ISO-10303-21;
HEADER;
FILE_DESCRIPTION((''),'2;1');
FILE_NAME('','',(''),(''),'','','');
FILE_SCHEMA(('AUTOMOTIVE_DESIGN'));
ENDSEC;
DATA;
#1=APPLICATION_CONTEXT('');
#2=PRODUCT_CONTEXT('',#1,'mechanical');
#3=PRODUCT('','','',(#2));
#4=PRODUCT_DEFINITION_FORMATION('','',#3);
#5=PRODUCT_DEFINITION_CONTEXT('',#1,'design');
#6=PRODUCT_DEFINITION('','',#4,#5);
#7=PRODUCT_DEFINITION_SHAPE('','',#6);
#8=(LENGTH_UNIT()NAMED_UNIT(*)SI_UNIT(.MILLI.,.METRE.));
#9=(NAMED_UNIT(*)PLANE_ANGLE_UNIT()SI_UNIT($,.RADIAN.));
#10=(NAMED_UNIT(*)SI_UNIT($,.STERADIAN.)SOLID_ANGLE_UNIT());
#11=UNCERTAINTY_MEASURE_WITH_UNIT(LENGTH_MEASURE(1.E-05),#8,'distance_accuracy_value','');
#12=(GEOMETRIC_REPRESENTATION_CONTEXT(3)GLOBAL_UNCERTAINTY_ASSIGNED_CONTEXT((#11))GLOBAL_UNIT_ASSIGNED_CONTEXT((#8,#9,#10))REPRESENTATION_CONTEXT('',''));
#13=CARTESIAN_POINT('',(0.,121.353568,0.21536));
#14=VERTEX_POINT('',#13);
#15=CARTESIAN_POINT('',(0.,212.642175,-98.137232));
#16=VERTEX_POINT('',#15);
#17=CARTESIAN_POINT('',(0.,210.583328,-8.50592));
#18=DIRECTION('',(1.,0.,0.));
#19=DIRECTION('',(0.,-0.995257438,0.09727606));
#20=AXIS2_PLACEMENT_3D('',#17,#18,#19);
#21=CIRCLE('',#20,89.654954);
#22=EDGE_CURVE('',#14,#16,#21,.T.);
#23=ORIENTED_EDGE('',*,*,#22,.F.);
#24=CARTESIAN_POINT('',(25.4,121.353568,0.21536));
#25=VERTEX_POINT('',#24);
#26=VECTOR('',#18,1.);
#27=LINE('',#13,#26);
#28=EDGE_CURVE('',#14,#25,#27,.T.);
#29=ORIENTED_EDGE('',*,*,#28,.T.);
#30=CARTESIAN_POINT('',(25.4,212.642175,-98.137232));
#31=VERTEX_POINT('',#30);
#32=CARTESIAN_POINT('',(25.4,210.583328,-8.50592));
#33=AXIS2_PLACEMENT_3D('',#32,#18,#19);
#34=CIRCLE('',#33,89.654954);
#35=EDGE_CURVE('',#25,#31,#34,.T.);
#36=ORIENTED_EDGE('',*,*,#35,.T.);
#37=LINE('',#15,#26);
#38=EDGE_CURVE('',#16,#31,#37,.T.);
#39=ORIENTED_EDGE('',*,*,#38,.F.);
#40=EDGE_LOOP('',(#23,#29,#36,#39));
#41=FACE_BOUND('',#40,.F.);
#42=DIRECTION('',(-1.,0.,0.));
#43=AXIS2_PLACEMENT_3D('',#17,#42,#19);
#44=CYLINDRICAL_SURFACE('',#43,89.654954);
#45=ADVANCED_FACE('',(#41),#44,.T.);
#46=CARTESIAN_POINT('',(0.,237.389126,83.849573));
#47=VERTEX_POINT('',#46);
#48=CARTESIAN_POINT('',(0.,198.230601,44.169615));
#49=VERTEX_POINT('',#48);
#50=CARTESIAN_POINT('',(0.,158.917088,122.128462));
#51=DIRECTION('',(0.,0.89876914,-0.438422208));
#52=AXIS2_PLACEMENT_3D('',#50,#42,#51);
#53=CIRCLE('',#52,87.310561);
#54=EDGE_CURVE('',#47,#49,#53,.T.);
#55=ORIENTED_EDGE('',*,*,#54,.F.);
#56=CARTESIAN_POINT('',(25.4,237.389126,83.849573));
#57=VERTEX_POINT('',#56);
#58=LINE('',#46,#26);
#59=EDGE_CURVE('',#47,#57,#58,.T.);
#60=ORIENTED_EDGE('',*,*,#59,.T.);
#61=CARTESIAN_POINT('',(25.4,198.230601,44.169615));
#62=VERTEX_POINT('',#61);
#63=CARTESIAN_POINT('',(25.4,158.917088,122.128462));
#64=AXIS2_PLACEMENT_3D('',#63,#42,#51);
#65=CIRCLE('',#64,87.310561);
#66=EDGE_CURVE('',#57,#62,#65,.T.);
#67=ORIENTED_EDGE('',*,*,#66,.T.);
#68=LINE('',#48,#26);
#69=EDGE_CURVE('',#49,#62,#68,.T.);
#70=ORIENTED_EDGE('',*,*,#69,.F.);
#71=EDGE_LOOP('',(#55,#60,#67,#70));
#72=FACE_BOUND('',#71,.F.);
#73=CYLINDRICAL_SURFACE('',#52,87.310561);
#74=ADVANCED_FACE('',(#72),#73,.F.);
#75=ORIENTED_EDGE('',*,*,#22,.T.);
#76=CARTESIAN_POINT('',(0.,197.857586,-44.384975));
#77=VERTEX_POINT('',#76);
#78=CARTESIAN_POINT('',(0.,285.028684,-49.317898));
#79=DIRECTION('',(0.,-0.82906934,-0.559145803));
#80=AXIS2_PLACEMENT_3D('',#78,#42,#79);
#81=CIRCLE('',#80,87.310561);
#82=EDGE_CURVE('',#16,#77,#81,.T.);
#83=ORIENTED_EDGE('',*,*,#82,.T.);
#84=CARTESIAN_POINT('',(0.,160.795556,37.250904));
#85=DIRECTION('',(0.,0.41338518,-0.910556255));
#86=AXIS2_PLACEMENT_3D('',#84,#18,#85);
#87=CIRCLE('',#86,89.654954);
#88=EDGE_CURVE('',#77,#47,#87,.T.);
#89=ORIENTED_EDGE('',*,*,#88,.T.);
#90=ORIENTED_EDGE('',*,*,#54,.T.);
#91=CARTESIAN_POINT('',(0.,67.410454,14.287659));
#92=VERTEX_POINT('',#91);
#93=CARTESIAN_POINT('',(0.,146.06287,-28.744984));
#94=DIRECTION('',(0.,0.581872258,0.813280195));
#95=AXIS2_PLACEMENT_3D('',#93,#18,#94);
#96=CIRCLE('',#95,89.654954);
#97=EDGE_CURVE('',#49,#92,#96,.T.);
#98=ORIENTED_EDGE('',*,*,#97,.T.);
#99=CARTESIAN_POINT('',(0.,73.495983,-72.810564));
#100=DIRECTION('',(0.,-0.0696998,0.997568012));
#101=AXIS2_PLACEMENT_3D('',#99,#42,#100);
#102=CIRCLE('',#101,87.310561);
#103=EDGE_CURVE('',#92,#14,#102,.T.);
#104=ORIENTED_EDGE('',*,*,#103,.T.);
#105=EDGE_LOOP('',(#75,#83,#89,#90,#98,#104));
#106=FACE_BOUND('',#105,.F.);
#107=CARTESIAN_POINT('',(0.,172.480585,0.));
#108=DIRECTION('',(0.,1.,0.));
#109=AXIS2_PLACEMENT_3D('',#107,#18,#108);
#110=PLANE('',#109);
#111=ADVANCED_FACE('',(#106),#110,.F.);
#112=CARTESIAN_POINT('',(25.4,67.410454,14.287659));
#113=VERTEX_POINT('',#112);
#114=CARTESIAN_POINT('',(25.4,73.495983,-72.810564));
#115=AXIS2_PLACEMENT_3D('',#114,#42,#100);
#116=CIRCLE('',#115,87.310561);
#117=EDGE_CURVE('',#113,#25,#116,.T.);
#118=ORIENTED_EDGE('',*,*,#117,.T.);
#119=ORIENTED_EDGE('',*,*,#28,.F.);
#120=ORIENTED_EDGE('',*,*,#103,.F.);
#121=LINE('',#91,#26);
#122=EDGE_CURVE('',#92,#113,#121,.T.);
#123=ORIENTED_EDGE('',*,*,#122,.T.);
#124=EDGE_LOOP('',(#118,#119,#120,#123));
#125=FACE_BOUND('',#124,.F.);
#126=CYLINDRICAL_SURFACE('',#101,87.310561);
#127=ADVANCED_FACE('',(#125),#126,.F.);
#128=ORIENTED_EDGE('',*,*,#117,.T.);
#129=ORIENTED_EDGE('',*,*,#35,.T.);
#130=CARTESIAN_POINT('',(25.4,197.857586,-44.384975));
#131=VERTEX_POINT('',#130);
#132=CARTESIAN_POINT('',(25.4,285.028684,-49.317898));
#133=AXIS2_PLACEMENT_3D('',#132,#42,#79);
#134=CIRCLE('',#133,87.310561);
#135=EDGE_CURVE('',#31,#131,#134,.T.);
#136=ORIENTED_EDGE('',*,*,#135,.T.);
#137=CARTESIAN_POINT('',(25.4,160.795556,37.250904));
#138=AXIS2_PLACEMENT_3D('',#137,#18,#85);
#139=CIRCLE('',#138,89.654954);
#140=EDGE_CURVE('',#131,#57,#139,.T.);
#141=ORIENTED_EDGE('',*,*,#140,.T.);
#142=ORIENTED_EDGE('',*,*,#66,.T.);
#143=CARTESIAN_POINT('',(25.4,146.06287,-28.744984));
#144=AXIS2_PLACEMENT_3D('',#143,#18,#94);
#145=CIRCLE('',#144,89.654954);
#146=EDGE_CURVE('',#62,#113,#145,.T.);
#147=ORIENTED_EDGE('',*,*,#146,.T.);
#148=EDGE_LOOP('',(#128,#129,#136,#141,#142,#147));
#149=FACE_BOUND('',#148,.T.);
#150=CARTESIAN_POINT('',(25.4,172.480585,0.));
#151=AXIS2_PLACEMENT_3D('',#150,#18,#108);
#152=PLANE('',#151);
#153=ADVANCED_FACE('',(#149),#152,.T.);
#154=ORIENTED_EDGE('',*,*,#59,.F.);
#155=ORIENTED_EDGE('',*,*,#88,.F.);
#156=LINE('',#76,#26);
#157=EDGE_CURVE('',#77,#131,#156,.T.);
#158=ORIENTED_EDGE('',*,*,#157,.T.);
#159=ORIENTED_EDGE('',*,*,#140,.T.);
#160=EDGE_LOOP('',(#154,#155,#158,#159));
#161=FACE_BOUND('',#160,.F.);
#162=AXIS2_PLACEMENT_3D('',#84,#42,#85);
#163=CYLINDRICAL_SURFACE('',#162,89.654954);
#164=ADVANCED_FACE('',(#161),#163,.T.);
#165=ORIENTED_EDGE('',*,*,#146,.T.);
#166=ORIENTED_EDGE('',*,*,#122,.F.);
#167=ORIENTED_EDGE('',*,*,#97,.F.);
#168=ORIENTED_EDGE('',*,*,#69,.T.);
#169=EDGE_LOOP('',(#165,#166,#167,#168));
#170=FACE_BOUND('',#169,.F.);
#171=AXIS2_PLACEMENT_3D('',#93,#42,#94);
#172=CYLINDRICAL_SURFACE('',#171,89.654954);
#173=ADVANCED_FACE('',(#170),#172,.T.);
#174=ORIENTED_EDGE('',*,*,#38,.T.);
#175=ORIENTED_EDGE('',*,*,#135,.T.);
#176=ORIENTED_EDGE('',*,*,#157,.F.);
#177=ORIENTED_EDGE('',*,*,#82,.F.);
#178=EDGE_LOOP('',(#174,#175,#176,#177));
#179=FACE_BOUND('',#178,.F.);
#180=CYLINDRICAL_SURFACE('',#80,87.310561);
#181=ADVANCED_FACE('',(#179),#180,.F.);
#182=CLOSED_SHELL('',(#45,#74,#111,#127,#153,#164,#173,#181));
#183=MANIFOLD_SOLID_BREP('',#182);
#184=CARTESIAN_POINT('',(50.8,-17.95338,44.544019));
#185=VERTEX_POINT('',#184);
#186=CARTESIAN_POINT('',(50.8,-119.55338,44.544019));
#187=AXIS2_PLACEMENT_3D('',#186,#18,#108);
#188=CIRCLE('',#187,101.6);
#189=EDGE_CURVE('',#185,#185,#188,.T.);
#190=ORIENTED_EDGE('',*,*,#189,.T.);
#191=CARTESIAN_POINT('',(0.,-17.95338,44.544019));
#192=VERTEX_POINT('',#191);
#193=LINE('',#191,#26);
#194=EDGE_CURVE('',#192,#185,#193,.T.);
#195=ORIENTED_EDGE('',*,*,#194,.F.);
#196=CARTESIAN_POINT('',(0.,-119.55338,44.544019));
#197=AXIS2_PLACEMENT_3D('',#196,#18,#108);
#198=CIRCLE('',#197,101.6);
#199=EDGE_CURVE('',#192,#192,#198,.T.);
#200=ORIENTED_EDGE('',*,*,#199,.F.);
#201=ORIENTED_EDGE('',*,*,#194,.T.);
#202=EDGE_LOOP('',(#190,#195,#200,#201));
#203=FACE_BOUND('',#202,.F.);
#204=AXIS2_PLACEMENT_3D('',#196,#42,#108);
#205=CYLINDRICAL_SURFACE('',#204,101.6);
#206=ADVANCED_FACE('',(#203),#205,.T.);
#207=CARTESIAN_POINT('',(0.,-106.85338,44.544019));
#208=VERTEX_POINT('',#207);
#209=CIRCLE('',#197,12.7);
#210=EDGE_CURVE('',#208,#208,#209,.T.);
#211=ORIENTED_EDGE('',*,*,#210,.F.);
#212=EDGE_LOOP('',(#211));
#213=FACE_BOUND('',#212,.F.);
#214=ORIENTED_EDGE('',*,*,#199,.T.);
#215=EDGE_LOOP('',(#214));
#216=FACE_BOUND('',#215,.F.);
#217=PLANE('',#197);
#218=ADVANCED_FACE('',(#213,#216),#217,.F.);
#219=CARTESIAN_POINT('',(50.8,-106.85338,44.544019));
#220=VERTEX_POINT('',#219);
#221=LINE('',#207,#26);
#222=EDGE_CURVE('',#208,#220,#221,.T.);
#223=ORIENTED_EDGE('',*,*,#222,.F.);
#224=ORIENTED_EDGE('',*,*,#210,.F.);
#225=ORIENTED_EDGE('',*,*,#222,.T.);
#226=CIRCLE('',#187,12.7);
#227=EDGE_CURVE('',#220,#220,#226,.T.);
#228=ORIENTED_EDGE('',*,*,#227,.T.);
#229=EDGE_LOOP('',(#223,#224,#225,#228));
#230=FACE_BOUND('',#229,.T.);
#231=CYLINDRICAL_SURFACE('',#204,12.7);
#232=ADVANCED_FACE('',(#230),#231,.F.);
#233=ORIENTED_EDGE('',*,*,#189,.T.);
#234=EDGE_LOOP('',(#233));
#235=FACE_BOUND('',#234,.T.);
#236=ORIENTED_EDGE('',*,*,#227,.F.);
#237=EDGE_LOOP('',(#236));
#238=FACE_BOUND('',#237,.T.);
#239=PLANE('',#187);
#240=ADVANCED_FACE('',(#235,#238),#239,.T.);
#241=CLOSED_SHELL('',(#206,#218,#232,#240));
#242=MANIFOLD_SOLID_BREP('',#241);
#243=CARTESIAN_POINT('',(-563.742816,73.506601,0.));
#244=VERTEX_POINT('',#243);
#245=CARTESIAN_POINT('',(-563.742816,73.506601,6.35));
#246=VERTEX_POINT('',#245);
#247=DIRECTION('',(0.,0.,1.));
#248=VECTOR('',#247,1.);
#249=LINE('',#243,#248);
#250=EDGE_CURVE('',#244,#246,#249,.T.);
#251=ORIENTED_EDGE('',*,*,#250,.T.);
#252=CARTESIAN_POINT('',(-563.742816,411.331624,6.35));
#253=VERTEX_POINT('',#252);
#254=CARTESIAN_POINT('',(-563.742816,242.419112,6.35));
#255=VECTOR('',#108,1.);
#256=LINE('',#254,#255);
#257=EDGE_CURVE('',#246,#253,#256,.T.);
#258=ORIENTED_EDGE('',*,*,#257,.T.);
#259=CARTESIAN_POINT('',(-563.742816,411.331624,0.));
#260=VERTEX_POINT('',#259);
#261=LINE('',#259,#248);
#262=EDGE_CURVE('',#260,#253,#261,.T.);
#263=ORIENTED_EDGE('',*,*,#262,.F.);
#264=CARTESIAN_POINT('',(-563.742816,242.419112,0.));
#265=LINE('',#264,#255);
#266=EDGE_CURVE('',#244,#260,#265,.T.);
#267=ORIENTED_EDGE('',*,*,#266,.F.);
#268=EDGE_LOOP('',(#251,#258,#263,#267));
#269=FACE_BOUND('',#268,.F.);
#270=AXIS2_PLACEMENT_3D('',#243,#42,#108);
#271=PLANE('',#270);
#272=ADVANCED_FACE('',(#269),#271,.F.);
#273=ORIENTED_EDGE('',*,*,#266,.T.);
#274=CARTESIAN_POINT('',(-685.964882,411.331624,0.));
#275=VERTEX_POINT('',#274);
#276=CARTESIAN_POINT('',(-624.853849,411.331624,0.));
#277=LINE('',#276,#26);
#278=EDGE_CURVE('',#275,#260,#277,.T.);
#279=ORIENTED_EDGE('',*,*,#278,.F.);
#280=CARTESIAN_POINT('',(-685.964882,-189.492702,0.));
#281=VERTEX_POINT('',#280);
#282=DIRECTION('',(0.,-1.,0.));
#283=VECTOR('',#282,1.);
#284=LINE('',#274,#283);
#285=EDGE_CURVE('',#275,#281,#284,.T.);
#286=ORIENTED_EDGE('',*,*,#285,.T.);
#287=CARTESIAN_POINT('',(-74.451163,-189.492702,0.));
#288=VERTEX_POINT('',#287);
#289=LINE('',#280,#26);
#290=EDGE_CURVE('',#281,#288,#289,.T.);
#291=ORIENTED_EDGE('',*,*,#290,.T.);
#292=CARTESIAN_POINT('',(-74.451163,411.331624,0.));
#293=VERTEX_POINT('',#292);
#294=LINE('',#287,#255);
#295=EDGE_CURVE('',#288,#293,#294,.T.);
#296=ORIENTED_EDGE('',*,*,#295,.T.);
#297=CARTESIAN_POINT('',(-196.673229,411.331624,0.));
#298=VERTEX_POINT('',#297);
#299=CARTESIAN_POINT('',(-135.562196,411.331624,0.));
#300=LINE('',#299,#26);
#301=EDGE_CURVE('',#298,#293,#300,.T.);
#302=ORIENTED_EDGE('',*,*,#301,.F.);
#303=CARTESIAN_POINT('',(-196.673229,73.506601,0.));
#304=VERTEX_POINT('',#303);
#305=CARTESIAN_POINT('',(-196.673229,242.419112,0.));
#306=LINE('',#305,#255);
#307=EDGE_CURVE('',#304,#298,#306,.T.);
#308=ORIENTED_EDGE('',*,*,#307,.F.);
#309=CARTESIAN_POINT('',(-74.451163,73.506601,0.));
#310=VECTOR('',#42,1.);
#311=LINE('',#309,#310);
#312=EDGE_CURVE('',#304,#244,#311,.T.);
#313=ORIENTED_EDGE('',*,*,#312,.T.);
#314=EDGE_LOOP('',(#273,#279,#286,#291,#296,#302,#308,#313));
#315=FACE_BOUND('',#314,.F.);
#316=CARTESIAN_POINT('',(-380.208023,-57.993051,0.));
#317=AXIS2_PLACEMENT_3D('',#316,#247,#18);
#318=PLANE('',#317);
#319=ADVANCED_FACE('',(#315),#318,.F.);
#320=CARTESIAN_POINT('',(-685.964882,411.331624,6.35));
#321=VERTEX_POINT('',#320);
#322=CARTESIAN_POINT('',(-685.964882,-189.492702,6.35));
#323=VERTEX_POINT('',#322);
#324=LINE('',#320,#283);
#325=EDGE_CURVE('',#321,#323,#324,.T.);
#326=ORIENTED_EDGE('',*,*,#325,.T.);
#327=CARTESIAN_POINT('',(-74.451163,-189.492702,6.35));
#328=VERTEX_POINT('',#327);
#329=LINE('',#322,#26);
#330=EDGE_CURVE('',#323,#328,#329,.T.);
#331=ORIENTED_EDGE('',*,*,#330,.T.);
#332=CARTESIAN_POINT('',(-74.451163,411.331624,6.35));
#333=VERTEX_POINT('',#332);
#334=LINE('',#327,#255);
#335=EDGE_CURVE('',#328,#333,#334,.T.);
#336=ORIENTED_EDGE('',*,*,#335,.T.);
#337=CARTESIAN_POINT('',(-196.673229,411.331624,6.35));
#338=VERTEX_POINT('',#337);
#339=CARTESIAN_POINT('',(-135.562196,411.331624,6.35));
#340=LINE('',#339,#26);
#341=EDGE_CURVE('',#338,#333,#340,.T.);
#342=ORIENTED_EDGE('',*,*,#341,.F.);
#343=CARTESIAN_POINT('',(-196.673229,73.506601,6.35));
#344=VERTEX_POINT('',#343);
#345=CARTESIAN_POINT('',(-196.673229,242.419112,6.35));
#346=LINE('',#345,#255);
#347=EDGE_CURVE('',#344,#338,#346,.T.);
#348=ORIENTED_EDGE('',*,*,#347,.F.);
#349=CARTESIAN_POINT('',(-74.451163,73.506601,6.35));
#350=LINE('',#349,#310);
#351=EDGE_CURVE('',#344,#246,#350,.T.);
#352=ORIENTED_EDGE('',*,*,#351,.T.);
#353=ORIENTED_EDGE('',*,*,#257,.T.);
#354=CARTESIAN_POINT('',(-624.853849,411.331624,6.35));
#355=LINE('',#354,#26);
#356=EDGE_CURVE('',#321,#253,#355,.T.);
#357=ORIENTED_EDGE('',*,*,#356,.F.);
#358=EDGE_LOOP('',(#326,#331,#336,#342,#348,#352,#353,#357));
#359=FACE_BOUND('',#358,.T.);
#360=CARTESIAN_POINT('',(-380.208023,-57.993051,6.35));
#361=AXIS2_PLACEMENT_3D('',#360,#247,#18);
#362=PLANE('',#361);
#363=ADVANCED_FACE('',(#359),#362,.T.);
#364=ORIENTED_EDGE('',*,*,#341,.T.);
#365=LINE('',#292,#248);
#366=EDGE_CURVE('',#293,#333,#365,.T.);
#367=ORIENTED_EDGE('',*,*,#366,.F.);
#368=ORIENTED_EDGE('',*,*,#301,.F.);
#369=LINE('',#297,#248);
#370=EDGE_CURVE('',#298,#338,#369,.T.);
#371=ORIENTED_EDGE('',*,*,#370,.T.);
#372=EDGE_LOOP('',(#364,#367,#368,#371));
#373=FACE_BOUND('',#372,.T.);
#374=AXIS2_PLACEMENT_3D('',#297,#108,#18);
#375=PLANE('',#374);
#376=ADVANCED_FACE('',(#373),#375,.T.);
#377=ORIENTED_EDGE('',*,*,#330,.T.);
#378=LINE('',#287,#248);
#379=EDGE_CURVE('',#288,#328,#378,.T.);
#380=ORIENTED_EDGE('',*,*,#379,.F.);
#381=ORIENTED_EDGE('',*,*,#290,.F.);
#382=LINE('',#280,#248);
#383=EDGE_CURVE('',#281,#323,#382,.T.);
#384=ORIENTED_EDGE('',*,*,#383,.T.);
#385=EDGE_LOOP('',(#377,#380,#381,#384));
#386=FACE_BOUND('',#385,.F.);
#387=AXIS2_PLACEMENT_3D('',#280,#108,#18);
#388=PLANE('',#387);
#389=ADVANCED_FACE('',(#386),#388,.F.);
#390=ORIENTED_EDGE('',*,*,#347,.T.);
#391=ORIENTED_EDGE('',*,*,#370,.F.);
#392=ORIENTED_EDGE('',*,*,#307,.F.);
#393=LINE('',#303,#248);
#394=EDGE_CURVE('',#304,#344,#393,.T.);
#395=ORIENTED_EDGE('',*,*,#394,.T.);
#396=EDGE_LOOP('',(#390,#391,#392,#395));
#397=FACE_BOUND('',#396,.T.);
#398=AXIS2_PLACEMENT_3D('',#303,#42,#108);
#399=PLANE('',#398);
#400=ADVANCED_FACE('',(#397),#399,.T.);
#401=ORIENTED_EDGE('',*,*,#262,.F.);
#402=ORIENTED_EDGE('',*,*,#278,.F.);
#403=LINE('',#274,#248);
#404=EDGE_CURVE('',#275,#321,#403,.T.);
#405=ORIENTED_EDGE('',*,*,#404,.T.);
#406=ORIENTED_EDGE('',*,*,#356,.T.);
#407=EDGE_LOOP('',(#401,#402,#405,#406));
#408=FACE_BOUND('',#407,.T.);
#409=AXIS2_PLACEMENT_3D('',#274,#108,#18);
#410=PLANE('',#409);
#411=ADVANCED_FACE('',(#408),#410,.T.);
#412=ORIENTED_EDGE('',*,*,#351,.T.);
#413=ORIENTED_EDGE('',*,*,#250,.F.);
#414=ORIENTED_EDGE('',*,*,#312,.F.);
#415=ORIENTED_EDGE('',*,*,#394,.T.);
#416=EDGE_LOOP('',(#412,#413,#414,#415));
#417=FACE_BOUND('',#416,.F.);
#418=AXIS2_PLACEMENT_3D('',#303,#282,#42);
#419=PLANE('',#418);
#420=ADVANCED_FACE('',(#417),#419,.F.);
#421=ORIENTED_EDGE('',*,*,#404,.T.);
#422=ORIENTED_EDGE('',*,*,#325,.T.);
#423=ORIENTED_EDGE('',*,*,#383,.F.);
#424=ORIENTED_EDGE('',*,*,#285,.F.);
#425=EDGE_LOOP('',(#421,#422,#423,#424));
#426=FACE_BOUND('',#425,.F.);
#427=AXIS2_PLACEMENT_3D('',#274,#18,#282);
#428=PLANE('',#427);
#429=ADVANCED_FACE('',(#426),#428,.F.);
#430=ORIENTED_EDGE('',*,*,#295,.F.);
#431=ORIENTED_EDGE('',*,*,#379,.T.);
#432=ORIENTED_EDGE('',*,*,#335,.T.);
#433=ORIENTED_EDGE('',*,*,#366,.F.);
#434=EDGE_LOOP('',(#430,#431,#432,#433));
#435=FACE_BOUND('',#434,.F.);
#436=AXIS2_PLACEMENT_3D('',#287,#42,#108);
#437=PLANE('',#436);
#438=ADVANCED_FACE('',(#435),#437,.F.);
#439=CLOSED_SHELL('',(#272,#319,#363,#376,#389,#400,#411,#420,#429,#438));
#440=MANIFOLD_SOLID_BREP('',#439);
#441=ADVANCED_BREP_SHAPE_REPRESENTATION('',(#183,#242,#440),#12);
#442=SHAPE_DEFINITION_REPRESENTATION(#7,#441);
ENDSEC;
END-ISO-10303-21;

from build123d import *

# Parameters (mm, degrees)
F0_R          = 9.9695
F0_R_2        = 3.175
F1_DEPTH      = 12.7
F3_ANGLE      = 55
F5_DEPTH      = 25.4
F6_W          = 12.7015647013
F6_H          = 11.3607975654
F7_ANGLE_BACK = 20
F7_ANGLE      = 35
F9_R          = 101.6
F9_R_2        = 12.7
F10_DEPTH     = 50.8
F12_DEPTH     = 25.4
F13_W         = 122.2220659256
F13_H         = 337.8250226378
F14_DEPTH     = 6.35


with BuildPart() as f1:
    # F0 (on Right) → F1 (new body)
    with BuildSketch(Plane.YZ):
        Circle(F0_R)
        Circle(F0_R_2, mode=Mode.SUBTRACT)
    extrude(amount=F1_DEPTH)

    # F2 (on Front) → F3 (revolve)
    with BuildSketch(Plane.XZ):
        Polygon((0, 3.1384535633), (12.7009730786, 3.1384535633), (12.7009730786, 15.4148072024), (9.402487427, 15.4148072024), (9.402487427, 5.549292734), (3.5090376623, 5.549292734), (3.5090376623, 15.4148072024), (0, 15.4148072024), align=None)
    revolve(axis=Axis((6.3504865393, 0, 0), (1, 0, 0)), revolution_arc=F3_ANGLE)

    # F4 (on face) → F5 (cut)
    with BuildSketch(Plane(origin=(0, 0, 0), x_dir=(0, -1, 0), z_dir=(-1, 0, 0))):
        with BuildLine():
            ThreePointArc((0, 9.9695), (6.2088830117, 11.9271532939), (8.1665363055, 5.7182702822))
            Line((8.1665363055, 5.7182702822), (12.6270708322, 8.8415701822))
            ThreePointArc((12.6270708322, 8.8415701822), (7.117765849, 13.6731009799), (0, 15.4148072024))
            Line((0, 15.4148072024), (0, 9.9695))
        make_face()
    extrude(amount=-F5_DEPTH, mode=Mode.SUBTRACT)

    # F6 (on Front) → F7 (revolve)
    with BuildSketch(Plane.XZ, mode=Mode.PRIVATE) as f7_sk:
        with Locations((6.3507823506, -8.9246716816)):
            Rectangle(F6_W, F6_H)
    revolve(f7_sk.sketch.rotate(Axis((6.3462648541, 0, 0), (1, 0, 0)), -F7_ANGLE_BACK), axis=Axis((6.3462648541, 0, 0), (1, 0, 0)), revolution_arc=F7_ANGLE)


with BuildPart() as f10:
    # F9 (on Right) → F10 (new body)
    with BuildSketch(Plane.YZ):
        with Locations((-119.5533797145, 44.544018805)):
            Circle(F9_R)
        with Locations((-119.5533797145, 44.544018805)):
            Circle(F9_R_2, mode=Mode.SUBTRACT)
    extrude(amount=F10_DEPTH)


with BuildPart() as f12:
    # F11 (on Right) → F12 (new body)
    with BuildSketch(Plane.YZ):
        with BuildLine():
            ThreePointArc((237.3891258137, 83.8495728722), (221.0619489228, 60.800243837), (198.2306007051, 44.1696150828))
            ThreePointArc((198.2306007051, 44.1696150828), (126.0980894407, 58.6587827449), (67.410454154, 14.2876589671))
            ThreePointArc((67.410454154, 14.2876589671), (95.5353470841, 11.672573525), (121.353568175, 0.2153603429))
            ThreePointArc((121.353568175, 0.2153603429), (144.8718365321, -69.4978106819), (212.6421745615, -98.1372318392))
            ThreePointArc((212.6421745615, -98.1372318392), (200.8444585224, -72.472817362), (197.8575856492, -44.3849754257))
            ThreePointArc((197.8575856492, -44.3849754257), (246.4718285565, 10.839027937), (237.3891258137, 83.8495728722))
        make_face()
    extrude(amount=F12_DEPTH)


with BuildPart() as f14:
    # F13 (on Top) → F14 (new body)
    with BuildSketch(Plane.XY):
        Polygon((-685.9648823738, -189.4927024841), (-74.4511634111, -189.4927024841), (-74.4511634111, 73.5066011548), (-196.6732293367, 73.5066011548), (-563.7428164482, 73.5066011548), (-685.9648823738, 73.5066011548), align=None)
        with Locations((-135.5621963739, 242.4191124737)):
            Rectangle(F13_W, F13_H)
        with Locations((-624.853849411, 242.4191124737)):
            Rectangle(F13_W, F13_H)
    extrude(amount=F14_DEPTH)


solid = Compound([f10.part, f12.part, f14.part])
